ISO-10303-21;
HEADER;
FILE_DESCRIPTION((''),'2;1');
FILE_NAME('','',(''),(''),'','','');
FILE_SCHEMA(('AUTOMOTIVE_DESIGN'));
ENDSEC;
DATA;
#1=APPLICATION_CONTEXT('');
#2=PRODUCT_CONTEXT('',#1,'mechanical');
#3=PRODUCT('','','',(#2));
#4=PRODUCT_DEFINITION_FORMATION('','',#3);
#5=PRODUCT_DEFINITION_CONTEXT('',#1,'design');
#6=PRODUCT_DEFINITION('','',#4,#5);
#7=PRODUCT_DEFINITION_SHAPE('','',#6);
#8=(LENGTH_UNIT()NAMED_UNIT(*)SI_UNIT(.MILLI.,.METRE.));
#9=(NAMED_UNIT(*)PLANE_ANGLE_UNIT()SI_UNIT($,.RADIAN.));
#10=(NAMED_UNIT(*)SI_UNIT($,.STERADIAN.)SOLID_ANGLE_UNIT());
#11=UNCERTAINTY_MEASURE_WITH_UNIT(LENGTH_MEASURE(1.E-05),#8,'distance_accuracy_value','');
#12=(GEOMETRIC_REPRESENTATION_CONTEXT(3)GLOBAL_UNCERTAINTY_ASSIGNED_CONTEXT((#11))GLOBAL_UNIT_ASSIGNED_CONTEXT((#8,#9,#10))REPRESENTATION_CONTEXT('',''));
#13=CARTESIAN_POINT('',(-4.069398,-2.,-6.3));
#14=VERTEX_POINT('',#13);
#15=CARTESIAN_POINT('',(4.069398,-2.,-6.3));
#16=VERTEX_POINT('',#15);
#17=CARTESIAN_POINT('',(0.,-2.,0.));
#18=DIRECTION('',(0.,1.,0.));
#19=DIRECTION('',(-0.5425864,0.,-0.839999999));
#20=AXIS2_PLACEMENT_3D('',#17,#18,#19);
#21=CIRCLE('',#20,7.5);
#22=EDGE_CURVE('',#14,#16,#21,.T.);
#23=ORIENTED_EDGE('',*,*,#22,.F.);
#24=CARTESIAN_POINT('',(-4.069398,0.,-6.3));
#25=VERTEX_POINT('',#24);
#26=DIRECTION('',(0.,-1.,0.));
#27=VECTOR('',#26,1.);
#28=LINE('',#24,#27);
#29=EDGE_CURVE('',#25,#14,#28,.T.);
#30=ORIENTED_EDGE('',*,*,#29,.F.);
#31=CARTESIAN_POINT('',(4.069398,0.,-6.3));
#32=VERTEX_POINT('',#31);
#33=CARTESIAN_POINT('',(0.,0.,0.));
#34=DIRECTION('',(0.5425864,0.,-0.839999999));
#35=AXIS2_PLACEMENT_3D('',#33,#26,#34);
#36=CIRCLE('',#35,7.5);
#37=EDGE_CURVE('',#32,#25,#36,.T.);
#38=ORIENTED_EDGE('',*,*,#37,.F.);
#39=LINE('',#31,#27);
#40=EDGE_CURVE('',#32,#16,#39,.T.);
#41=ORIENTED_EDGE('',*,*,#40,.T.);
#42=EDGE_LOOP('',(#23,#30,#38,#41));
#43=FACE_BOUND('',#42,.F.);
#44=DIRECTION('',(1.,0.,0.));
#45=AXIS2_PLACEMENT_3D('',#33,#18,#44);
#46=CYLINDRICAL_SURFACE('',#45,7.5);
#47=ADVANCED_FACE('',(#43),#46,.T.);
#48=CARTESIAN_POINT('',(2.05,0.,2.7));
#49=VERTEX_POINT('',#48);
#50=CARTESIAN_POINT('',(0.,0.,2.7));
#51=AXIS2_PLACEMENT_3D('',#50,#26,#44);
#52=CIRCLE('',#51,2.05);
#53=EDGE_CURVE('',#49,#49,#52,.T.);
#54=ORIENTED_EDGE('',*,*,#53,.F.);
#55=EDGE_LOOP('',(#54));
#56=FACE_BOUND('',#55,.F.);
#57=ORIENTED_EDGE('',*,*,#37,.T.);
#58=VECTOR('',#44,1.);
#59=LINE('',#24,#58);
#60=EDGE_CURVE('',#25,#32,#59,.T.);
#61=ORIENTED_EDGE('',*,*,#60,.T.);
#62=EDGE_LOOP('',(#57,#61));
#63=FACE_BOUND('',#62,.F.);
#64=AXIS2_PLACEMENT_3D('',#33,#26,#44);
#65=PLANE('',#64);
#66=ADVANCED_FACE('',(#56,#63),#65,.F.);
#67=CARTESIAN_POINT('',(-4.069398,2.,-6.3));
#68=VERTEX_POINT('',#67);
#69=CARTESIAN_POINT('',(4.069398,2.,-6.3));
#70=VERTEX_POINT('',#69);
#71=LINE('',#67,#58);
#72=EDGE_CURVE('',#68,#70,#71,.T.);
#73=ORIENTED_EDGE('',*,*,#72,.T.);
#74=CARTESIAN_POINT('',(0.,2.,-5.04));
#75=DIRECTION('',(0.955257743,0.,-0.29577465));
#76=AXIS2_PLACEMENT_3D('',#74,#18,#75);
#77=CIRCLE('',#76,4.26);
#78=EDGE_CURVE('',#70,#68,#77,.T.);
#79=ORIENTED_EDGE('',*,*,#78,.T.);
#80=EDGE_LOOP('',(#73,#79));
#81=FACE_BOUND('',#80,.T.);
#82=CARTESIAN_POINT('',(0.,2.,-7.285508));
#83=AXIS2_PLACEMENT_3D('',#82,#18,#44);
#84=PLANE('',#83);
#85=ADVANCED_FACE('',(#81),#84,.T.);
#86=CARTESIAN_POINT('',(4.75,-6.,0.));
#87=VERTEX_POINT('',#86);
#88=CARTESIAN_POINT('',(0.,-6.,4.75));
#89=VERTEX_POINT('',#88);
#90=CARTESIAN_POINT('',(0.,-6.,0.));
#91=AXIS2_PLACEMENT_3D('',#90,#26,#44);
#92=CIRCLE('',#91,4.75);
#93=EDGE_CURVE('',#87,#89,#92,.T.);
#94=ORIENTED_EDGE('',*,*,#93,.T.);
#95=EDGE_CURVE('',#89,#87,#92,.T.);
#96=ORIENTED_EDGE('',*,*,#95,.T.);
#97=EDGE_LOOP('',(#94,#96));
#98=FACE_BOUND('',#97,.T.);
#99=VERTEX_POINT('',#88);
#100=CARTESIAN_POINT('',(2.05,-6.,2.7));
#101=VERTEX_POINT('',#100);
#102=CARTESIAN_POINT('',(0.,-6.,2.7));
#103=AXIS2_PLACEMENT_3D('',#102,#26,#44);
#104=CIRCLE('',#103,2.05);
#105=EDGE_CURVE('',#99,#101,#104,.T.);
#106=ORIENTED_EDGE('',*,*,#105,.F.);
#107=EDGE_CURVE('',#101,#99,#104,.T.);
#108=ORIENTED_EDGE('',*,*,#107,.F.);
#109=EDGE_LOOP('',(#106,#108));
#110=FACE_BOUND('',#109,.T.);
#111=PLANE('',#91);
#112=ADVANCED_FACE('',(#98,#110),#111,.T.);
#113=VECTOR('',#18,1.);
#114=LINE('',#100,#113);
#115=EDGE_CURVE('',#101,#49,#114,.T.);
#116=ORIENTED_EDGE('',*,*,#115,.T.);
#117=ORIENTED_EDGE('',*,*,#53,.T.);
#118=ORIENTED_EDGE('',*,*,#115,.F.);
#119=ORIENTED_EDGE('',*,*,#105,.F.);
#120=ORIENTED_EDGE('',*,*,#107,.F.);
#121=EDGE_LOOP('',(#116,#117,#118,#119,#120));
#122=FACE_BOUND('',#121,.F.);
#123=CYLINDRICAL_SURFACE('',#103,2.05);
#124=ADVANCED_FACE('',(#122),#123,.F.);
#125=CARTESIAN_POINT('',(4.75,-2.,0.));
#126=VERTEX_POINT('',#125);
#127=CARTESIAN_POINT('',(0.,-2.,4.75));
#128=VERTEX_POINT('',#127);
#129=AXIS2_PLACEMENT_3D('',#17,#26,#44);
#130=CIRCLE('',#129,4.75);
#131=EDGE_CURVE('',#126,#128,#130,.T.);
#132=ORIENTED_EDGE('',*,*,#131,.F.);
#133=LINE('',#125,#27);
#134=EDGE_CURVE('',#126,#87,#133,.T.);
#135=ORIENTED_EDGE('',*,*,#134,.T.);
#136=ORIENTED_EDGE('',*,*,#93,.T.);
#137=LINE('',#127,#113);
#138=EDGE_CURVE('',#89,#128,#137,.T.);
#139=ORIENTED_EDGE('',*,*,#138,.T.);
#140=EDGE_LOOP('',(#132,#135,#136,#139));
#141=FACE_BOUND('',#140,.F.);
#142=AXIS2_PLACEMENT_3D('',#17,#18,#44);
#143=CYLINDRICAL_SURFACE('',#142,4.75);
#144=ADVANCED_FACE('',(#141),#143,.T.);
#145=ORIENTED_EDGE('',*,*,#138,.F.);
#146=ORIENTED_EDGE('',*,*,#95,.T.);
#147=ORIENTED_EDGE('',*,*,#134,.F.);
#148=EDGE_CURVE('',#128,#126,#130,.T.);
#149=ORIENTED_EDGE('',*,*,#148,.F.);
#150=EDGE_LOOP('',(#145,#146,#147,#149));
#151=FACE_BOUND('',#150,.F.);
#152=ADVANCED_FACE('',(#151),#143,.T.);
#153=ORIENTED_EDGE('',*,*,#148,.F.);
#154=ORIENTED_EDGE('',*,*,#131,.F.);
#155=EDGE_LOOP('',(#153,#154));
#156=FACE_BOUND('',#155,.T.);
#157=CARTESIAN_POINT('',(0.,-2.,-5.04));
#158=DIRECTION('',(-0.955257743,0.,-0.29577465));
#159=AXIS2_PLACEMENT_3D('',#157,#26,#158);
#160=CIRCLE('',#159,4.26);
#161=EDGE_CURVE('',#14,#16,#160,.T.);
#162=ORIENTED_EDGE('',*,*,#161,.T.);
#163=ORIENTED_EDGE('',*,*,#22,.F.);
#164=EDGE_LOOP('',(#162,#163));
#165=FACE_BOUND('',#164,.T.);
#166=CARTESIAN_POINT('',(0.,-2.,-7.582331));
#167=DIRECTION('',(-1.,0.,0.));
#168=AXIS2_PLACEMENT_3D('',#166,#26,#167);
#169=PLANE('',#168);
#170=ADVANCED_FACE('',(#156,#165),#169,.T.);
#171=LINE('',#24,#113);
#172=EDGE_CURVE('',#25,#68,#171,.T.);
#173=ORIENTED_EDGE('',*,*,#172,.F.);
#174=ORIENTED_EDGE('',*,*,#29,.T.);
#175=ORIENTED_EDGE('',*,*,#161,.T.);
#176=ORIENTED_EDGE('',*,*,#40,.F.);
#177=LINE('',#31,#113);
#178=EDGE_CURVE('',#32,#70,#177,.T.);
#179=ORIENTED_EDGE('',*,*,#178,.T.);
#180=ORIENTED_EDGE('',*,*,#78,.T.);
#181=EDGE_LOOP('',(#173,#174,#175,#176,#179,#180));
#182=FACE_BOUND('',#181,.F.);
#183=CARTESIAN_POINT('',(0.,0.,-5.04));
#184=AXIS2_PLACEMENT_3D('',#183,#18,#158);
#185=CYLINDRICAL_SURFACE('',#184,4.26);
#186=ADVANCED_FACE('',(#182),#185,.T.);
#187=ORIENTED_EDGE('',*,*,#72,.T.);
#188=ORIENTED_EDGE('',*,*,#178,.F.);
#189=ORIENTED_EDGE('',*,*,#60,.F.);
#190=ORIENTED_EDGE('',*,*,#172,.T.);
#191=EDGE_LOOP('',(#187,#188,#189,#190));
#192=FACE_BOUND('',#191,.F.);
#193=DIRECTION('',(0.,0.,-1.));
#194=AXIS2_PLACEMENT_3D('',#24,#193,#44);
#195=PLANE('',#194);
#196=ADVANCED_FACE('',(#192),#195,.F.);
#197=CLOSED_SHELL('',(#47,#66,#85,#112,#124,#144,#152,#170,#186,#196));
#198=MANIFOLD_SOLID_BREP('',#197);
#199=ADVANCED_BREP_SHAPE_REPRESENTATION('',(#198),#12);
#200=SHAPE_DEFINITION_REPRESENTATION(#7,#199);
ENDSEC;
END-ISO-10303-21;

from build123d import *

# Parameters (mm, degrees)
SKETCH_R     = 7.5
PAD_DEPTH    = 2
SKETCH001_R  = 4.75
PAD001_DEPTH = 4
SKETCH002_R  = 2.05
POCKET_DEPTH = 6
PAD002_DEPTH = 2
PAD003_DEPTH = 2


with BuildPart() as part:
    # Sketch → Pad (new body)
    with BuildSketch(Plane.XZ):
        Circle(SKETCH_R)
    extrude(amount=PAD_DEPTH)

    # Sketch001 (on Face3 of Pad) → Pad001 (join)
    with BuildSketch(Plane.XZ.offset(2)):
        Circle(SKETCH001_R)
    extrude(amount=PAD001_DEPTH)

    # Sketch002 (on Face5 of Pad001) → Pocket (cut)
    with BuildSketch(Plane.XZ.offset(6)):
        with Locations((0, 2.7)):
            Circle(SKETCH002_R)
    extrude(amount=-POCKET_DEPTH, mode=Mode.SUBTRACT)

    # Sketch003 (on Face2 of Pocket) → Pad002 (join)
    with BuildSketch(Plane(origin=(0, 0, 0), x_dir=(1, 0, 0), z_dir=(0, 1, 0))):
        with BuildLine():
            Line((-4.069398, 6.3), (4.069398, 6.3))
            ThreePointArc((4.069398, 6.3), (0, 9.3), (-4.069398, 6.3))
        make_face()
    extrude(amount=PAD002_DEPTH)

    # Pad002 Face3 → Pad003 (add)
    with BuildSketch(Plane(origin=(0, 0, -7.992176), x_dir=(-1, 0, 0), z_dir=(0, -1, 0))):
        with BuildLine():
            ThreePointArc((4.069398, -1.692176), (0, 1.307824), (-4.069398, -1.692176))
            ThreePointArc((-4.069398, -1.692176), (0, -0.492176), (4.069398, -1.692176))
        make_face()
    extrude(amount=PAD003_DEPTH)


solid = part.part
